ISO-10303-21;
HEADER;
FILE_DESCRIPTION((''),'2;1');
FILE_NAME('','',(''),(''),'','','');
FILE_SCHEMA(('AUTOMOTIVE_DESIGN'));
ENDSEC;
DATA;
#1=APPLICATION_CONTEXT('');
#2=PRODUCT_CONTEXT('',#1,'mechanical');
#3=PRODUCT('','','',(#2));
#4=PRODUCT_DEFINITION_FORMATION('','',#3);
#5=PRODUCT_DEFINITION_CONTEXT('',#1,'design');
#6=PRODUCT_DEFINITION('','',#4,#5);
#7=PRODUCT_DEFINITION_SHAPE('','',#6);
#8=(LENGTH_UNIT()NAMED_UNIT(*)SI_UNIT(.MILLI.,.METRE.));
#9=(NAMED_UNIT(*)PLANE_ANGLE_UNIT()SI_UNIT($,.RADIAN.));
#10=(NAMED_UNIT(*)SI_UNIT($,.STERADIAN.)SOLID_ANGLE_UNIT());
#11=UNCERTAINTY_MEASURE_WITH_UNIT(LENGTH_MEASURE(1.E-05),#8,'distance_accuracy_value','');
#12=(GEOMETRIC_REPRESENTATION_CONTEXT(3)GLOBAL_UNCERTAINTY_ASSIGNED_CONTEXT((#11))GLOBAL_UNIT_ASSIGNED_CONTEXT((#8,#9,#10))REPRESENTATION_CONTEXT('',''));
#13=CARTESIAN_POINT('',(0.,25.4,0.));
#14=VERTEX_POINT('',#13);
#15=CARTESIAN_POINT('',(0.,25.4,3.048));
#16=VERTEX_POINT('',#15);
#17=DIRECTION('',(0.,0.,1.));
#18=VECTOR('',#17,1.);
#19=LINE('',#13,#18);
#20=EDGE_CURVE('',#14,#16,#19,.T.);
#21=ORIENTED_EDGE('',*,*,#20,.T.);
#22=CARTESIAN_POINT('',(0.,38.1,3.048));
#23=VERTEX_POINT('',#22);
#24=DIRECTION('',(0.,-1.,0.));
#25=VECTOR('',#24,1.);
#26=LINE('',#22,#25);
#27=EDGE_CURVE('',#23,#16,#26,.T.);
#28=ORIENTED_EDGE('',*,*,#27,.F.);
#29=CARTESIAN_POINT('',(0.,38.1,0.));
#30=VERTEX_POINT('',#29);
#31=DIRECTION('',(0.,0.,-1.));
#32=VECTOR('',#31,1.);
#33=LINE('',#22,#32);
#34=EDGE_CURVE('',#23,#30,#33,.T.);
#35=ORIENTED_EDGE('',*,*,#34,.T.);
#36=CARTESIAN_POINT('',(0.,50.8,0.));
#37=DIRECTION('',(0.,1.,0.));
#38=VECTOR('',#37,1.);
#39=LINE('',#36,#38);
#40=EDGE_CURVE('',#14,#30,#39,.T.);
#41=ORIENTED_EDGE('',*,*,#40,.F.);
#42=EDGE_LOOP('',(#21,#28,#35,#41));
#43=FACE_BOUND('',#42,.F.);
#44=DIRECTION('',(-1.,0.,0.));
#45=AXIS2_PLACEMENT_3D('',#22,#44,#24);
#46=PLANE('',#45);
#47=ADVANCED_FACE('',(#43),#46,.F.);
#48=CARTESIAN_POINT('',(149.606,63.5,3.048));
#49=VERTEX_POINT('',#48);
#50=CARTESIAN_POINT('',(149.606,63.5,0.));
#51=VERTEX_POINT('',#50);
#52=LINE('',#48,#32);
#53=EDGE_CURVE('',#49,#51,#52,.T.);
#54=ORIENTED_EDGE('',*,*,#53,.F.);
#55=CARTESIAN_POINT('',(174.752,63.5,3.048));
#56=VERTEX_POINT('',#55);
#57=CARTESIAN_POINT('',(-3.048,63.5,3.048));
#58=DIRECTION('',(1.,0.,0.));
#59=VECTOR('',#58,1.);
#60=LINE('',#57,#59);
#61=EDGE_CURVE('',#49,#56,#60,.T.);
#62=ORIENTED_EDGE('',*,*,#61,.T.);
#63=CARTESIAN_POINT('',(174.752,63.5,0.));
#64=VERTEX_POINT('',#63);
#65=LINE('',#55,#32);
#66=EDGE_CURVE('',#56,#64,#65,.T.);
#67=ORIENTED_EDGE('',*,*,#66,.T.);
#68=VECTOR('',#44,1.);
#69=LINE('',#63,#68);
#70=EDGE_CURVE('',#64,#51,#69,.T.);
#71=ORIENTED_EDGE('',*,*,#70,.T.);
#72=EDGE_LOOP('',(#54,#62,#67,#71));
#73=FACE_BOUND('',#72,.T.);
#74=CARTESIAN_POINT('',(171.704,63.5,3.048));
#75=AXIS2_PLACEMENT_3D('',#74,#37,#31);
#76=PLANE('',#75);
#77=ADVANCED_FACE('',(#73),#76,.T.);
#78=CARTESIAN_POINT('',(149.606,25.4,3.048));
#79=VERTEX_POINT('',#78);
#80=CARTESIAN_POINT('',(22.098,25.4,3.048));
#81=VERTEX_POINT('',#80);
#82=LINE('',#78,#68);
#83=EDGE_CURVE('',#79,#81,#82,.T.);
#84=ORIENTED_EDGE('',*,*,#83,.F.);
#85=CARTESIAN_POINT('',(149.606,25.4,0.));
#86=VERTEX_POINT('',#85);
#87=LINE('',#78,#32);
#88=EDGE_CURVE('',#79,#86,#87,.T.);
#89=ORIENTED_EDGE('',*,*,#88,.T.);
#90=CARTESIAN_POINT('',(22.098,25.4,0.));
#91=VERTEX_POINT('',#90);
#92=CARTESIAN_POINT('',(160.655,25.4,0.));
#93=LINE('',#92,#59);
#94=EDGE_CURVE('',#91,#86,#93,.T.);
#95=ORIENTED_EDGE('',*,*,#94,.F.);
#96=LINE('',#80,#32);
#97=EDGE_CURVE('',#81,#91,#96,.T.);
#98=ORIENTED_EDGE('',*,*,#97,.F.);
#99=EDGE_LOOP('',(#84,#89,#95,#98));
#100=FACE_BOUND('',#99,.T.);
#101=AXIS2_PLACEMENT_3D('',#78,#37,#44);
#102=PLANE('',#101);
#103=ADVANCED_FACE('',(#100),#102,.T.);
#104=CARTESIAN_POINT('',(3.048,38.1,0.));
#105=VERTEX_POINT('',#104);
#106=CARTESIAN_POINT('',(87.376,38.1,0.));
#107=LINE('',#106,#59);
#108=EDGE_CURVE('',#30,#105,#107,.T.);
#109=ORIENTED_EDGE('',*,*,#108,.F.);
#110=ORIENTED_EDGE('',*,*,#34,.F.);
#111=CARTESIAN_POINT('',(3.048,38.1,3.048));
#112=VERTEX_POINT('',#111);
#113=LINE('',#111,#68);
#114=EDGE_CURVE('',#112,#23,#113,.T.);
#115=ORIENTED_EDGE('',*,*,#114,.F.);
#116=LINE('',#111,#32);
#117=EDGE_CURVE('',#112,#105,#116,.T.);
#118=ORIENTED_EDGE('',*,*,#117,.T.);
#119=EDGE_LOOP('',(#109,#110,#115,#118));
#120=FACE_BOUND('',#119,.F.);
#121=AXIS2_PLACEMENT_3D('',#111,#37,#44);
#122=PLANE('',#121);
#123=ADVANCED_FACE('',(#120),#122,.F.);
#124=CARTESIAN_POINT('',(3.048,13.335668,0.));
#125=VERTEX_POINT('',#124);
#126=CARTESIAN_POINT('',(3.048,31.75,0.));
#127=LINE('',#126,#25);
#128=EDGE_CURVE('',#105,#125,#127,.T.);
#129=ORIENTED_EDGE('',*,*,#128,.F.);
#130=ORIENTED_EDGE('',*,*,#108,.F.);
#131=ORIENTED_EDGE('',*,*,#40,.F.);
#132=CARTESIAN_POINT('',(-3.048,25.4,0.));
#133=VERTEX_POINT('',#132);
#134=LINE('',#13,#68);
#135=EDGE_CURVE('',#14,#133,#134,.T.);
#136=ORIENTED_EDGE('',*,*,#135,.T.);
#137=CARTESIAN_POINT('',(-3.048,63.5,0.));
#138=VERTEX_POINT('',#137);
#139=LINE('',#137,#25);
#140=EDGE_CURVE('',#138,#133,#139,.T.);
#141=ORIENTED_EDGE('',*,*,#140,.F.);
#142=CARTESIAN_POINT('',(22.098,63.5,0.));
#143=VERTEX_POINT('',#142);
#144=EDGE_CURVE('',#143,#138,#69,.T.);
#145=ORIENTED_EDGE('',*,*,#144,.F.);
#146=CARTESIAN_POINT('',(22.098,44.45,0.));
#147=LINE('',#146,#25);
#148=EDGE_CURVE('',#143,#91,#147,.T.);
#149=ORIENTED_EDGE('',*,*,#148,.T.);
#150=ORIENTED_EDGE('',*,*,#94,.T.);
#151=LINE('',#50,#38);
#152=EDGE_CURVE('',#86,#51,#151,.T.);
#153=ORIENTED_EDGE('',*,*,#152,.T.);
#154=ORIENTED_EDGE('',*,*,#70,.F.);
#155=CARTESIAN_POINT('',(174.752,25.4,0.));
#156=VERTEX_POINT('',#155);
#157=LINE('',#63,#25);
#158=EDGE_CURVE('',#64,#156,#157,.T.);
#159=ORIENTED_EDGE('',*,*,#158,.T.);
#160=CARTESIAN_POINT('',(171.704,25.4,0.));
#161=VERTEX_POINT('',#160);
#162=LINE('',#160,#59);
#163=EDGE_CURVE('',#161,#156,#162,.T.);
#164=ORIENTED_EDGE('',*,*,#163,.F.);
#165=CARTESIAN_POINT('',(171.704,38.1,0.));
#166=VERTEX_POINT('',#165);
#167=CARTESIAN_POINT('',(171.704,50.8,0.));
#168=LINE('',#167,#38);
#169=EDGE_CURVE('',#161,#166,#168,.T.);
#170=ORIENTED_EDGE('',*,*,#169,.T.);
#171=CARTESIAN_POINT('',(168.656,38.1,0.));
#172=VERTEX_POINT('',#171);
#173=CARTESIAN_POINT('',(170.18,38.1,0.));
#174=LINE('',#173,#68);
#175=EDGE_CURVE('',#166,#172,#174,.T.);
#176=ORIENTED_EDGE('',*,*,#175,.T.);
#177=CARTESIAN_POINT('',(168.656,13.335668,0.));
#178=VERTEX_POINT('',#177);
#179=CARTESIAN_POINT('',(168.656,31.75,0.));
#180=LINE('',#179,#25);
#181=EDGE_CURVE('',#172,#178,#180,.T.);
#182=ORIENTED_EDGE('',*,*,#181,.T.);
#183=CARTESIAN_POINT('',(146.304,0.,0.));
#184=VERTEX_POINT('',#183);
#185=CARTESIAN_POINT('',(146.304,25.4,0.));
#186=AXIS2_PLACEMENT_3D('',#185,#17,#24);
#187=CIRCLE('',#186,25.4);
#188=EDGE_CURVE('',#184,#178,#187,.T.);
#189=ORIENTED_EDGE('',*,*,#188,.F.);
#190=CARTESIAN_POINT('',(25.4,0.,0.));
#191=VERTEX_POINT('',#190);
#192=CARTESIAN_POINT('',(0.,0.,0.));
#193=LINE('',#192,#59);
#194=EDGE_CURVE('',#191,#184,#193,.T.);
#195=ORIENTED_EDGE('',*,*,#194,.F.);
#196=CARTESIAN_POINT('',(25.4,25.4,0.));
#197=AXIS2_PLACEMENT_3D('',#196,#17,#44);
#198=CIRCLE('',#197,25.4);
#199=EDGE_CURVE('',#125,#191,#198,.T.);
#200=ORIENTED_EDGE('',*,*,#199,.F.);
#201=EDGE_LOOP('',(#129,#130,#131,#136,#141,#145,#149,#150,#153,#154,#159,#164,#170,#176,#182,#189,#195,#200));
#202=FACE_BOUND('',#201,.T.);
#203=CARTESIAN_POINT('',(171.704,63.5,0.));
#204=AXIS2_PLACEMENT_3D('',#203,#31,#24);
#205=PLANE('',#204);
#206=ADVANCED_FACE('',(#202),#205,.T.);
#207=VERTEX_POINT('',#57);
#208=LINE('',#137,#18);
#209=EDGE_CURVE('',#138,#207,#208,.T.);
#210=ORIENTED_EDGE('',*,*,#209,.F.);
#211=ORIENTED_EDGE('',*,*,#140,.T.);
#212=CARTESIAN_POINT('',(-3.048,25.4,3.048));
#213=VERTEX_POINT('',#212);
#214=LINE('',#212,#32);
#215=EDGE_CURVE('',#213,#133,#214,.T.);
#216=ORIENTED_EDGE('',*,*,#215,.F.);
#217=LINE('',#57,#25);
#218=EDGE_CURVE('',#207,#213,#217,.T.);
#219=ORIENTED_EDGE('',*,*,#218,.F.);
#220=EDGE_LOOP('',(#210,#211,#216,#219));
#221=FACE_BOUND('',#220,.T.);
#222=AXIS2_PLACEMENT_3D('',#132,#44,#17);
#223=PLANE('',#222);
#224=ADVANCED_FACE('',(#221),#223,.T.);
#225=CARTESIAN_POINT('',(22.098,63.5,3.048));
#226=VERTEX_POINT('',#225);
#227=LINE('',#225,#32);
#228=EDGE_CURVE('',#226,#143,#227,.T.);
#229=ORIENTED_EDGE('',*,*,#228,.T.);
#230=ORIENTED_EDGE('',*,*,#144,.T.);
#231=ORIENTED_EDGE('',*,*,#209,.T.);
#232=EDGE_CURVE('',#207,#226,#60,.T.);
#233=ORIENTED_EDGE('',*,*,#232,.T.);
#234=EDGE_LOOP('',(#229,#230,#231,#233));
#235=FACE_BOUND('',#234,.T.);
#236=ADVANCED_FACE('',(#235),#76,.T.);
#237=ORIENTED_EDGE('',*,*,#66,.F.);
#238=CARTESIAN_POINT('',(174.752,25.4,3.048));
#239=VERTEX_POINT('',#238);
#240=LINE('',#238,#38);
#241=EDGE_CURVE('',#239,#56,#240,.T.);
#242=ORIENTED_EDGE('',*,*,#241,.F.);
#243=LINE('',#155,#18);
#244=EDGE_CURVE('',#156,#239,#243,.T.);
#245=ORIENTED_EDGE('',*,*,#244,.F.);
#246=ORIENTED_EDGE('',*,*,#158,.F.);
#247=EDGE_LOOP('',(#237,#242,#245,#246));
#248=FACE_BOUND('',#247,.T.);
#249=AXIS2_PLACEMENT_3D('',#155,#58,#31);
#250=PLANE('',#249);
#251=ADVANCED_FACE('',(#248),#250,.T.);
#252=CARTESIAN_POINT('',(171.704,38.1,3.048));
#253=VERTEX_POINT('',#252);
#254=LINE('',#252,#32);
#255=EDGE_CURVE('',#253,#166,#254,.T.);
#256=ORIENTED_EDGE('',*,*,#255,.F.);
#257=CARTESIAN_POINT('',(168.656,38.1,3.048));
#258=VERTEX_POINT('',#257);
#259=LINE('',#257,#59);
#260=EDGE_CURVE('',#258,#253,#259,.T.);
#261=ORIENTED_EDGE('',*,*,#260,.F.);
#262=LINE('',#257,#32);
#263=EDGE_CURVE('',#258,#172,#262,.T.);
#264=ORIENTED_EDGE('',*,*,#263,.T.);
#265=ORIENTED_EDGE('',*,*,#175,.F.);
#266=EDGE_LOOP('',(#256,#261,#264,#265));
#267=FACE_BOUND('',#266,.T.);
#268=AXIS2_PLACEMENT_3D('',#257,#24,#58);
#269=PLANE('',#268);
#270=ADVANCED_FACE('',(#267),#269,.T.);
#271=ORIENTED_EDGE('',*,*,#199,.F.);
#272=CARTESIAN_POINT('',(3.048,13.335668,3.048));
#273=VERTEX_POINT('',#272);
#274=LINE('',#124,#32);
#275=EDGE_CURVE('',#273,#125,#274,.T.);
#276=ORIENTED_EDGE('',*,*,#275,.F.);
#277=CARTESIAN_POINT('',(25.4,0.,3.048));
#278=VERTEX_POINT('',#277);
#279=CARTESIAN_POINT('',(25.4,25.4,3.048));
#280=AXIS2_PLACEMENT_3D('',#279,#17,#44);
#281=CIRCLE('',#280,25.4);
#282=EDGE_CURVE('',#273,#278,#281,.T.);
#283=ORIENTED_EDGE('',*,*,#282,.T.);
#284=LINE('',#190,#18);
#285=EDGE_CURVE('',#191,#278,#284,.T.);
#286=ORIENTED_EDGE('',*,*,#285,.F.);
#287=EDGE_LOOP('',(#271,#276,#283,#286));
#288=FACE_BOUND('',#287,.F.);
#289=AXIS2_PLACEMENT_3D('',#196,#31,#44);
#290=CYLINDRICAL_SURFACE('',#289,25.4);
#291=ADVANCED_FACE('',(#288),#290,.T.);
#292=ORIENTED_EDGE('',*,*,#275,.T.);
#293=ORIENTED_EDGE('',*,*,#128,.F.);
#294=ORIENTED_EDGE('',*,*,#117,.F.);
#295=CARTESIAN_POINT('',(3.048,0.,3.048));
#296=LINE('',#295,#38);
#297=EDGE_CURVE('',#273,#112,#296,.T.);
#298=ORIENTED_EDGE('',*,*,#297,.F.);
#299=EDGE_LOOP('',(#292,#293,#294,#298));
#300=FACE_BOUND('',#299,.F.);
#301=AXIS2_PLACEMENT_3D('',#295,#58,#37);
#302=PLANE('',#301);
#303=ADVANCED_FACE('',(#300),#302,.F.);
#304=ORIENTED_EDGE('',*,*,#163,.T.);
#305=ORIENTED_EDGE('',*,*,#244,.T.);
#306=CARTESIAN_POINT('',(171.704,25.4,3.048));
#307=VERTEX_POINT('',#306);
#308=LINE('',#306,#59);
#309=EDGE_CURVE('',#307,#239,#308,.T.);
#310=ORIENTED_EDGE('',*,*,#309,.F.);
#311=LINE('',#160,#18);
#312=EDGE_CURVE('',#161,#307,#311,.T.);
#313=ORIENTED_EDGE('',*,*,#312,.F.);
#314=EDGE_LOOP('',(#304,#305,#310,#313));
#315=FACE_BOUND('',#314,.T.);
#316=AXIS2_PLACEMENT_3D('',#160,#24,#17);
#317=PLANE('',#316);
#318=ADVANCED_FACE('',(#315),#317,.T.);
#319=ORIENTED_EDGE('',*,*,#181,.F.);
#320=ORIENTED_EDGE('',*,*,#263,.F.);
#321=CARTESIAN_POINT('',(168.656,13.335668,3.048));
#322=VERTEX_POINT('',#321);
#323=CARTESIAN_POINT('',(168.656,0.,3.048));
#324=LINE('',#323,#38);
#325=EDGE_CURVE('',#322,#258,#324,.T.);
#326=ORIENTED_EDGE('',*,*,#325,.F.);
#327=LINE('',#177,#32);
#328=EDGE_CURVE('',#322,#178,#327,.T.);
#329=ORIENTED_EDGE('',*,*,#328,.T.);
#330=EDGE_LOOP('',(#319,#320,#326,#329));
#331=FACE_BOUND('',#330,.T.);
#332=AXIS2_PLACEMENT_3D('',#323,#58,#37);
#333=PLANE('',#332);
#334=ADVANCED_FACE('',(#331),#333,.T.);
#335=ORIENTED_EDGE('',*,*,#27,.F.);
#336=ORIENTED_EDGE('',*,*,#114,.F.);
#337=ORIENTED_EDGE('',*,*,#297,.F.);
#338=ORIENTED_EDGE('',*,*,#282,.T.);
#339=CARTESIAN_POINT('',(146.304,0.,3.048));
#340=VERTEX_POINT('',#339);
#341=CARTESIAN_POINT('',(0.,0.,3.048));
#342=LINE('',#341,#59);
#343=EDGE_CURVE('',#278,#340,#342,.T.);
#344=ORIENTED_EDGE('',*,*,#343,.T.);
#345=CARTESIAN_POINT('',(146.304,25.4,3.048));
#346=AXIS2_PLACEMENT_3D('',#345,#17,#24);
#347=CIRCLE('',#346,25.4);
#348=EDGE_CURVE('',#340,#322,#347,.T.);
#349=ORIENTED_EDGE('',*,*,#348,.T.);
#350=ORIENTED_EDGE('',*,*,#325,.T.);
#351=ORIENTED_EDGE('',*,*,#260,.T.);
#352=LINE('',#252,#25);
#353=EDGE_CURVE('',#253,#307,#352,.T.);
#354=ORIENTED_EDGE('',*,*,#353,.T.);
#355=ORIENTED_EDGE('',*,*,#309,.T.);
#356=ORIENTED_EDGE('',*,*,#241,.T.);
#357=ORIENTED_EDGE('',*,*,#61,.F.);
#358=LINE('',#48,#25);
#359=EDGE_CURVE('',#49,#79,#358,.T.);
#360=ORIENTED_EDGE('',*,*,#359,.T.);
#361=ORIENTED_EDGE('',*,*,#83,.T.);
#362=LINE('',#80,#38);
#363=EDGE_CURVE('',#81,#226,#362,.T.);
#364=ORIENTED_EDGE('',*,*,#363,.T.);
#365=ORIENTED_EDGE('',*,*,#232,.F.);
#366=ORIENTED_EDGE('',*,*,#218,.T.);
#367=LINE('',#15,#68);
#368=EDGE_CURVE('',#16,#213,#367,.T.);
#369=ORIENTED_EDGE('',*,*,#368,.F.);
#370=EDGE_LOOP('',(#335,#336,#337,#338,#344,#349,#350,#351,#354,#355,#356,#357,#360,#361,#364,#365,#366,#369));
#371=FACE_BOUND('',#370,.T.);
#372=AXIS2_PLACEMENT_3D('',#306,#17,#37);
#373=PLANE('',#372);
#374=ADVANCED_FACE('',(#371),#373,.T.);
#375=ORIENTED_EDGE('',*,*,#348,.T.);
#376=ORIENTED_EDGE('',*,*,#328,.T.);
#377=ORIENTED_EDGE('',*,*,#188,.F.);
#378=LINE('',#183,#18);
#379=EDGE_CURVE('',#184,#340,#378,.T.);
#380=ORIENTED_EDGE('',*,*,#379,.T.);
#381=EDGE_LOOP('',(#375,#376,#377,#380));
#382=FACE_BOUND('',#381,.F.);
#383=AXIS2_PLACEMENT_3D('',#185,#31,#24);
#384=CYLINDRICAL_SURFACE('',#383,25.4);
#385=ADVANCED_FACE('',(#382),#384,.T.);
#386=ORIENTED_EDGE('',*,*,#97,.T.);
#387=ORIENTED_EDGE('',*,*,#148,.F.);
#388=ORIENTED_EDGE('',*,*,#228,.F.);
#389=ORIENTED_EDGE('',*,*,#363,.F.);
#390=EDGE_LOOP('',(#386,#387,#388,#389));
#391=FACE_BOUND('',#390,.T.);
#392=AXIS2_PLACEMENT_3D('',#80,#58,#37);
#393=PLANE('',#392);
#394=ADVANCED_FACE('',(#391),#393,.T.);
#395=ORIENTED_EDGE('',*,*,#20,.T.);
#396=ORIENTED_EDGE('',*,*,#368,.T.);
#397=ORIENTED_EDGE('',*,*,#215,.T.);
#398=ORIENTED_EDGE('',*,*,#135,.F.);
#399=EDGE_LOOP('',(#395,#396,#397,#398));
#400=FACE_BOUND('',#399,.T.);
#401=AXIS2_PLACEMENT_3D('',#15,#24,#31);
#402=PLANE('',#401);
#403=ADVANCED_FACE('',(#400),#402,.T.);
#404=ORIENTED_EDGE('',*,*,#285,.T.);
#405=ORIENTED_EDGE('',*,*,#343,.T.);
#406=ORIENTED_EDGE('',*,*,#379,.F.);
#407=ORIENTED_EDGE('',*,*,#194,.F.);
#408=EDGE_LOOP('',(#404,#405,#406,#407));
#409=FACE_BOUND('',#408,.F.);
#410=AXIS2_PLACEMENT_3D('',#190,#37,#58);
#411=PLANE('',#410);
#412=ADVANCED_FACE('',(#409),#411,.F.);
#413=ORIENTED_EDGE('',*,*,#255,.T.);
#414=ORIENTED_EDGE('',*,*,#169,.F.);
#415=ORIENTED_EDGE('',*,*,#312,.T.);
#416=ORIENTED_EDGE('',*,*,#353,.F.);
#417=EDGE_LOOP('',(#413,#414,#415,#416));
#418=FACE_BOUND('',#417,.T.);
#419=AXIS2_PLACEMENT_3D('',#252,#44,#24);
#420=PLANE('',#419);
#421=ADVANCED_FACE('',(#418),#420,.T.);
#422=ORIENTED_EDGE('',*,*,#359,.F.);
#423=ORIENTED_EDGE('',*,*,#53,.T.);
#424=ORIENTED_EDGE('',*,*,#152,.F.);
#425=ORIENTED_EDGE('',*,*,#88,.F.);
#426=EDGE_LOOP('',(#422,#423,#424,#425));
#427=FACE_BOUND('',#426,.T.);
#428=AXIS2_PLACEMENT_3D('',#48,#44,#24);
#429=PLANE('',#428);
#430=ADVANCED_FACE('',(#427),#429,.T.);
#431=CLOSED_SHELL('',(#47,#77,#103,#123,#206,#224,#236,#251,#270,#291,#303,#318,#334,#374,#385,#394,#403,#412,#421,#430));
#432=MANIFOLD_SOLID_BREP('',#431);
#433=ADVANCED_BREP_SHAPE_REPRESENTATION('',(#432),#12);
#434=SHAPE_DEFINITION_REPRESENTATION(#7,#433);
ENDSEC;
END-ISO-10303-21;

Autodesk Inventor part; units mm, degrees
ref_plane "YZ Plane" through (0, 0, 0) normal (1, 0, 0) x (0, 1, 0)
ref_plane "XZ Plane" through (0, 0, 0) normal (0, 1, 0) x (-1, 0, 0)
ref_plane "XY Plane" through (0, 0, 0) normal (0, 0, 1) x (1, 0, 0)
sketch "Sketch1" plane through (0, 0, 0) normal (0, 0, 1) x (1, 0, 0)
  line L0 (0, 0) -> (171.704, 0)
  line L1 (171.704, 0) -> (171.704, 63.5)
  line L2 (171.704, 63.5) -> (0, 63.5)
  line L3 (0, 63.5) -> (0, 0)
  arc A0 (0, 25.4) -> (25.4, 0) centre (25.4, 25.4) ccw
  arc A1 (146.304, 0) -> (171.704, 25.4) centre (146.304, 25.4) ccw
  dimension "d0" = 171.704
  dimension "d1" = 63.5
  dimension "d2" = 50.8
  dimension "d3" = 50.8
extrude "Extrusion1" add sketch "Sketch1" along normal blind 3.048 contours A0 L3 L2 L1 A1 L0
sketch "Sketch3" plane through (0, 25.4, 0) normal (-1, 0, 0) x (0, 0, 1)
  line L0 (0, 38.1) -> (0, 0) projected
  line L1 (3.048, -25.4) -> (3.048, 0) projected
  line L2 (0, 38.1) -> (3.048, 38.1)
  line L3 (3.048, 38.1) -> (3.048, 0)
  line L4 (3.048, 0) -> (0, 0)
  line L5 (0, 0) -> (0, 38.1)
  point P0 (0, -25.4)
extrude "Extrusion3" add sketch "Sketch3" along normal blind 3.048
sketch "Sketch4" plane through (171.704, 25.4, 0) normal (1, 0, 0) x (0, 0, -1)
  line L0 (-3.048, 38.1) -> (0, 38.1) projected
  line L1 (0, 0) -> (0, -25.4) projected
  line L2 (-3.048, 38.1) -> (0, 38.1)
  line L3 (0, 38.1) -> (0, 0)
  line L4 (0, 0) -> (-3.048, 0)
  line L5 (-3.048, 0) -> (-3.048, 38.1)
  point P0 (0, -25.4)
extrude "Extrusion4" add sketch "Sketch4" along normal blind 3.048
sketch "Sketch5" plane through (0, 0, 3.048) normal (0, 0, 1) x (1, 0, 0)
  line L0 (0, 0) -> (3.048, 0)
  line L1 (3.048, 0) -> (3.048, 38.1)
  line L2 (3.048, 38.1) -> (0, 38.1)
  line L3 (0, 38.1) -> (0, 0)
  line L4 (-3.048, 63.5) -> (174.752, 63.5) projected
  line L5 (85.852, 63.5) -> (85.852, 0)
  line L6 (25.4, 0) -> (146.304, 0) projected
  line L7 (171.704, 0) -> (168.656, 0)
  line L8 (168.656, 0) -> (168.656, 38.1)
  line L9 (168.656, 38.1) -> (171.704, 38.1)
  line L10 (171.704, 38.1) -> (171.704, 0)
  point P0 (1.524, 0)
  point P1 (170.18, 0)
  dimension "d17" = 38.1
  dimension "d18" = 3.048
extrude "Extrusion5" cut sketch "Sketch5" against normal through all
sketch "Sketch6" plane through (0, 0, 3.048) normal (0, 0, 1) x (1, 0, 0)
  line L0 (-3.048, 63.5) -> (174.752, 63.5) projected
  line L1 (22.098, 63.5) -> (149.606, 63.5)
  line L2 (149.606, 63.5) -> (149.606, 25.4)
  line L3 (149.606, 25.4) -> (22.098, 25.4)
  line L4 (22.098, 25.4) -> (22.098, 63.5)
  line L5 (3.048, 38.1) -> (3.048, 13.3357) projected
  line L6 (168.656, 13.3357) -> (168.656, 38.1) projected
  line L7 (25.4, 0) -> (146.304, 0) projected
  point P0 (0, 0)
  point P1 (149.606, 63.5)
  dimension "d21" = 19.05
  dimension "d22" = 19.05
  dimension "d23" = 25.4
extrude "Extrusion6" cut sketch "Sketch6" against normal through all
properties part number "Battery_container_main"
